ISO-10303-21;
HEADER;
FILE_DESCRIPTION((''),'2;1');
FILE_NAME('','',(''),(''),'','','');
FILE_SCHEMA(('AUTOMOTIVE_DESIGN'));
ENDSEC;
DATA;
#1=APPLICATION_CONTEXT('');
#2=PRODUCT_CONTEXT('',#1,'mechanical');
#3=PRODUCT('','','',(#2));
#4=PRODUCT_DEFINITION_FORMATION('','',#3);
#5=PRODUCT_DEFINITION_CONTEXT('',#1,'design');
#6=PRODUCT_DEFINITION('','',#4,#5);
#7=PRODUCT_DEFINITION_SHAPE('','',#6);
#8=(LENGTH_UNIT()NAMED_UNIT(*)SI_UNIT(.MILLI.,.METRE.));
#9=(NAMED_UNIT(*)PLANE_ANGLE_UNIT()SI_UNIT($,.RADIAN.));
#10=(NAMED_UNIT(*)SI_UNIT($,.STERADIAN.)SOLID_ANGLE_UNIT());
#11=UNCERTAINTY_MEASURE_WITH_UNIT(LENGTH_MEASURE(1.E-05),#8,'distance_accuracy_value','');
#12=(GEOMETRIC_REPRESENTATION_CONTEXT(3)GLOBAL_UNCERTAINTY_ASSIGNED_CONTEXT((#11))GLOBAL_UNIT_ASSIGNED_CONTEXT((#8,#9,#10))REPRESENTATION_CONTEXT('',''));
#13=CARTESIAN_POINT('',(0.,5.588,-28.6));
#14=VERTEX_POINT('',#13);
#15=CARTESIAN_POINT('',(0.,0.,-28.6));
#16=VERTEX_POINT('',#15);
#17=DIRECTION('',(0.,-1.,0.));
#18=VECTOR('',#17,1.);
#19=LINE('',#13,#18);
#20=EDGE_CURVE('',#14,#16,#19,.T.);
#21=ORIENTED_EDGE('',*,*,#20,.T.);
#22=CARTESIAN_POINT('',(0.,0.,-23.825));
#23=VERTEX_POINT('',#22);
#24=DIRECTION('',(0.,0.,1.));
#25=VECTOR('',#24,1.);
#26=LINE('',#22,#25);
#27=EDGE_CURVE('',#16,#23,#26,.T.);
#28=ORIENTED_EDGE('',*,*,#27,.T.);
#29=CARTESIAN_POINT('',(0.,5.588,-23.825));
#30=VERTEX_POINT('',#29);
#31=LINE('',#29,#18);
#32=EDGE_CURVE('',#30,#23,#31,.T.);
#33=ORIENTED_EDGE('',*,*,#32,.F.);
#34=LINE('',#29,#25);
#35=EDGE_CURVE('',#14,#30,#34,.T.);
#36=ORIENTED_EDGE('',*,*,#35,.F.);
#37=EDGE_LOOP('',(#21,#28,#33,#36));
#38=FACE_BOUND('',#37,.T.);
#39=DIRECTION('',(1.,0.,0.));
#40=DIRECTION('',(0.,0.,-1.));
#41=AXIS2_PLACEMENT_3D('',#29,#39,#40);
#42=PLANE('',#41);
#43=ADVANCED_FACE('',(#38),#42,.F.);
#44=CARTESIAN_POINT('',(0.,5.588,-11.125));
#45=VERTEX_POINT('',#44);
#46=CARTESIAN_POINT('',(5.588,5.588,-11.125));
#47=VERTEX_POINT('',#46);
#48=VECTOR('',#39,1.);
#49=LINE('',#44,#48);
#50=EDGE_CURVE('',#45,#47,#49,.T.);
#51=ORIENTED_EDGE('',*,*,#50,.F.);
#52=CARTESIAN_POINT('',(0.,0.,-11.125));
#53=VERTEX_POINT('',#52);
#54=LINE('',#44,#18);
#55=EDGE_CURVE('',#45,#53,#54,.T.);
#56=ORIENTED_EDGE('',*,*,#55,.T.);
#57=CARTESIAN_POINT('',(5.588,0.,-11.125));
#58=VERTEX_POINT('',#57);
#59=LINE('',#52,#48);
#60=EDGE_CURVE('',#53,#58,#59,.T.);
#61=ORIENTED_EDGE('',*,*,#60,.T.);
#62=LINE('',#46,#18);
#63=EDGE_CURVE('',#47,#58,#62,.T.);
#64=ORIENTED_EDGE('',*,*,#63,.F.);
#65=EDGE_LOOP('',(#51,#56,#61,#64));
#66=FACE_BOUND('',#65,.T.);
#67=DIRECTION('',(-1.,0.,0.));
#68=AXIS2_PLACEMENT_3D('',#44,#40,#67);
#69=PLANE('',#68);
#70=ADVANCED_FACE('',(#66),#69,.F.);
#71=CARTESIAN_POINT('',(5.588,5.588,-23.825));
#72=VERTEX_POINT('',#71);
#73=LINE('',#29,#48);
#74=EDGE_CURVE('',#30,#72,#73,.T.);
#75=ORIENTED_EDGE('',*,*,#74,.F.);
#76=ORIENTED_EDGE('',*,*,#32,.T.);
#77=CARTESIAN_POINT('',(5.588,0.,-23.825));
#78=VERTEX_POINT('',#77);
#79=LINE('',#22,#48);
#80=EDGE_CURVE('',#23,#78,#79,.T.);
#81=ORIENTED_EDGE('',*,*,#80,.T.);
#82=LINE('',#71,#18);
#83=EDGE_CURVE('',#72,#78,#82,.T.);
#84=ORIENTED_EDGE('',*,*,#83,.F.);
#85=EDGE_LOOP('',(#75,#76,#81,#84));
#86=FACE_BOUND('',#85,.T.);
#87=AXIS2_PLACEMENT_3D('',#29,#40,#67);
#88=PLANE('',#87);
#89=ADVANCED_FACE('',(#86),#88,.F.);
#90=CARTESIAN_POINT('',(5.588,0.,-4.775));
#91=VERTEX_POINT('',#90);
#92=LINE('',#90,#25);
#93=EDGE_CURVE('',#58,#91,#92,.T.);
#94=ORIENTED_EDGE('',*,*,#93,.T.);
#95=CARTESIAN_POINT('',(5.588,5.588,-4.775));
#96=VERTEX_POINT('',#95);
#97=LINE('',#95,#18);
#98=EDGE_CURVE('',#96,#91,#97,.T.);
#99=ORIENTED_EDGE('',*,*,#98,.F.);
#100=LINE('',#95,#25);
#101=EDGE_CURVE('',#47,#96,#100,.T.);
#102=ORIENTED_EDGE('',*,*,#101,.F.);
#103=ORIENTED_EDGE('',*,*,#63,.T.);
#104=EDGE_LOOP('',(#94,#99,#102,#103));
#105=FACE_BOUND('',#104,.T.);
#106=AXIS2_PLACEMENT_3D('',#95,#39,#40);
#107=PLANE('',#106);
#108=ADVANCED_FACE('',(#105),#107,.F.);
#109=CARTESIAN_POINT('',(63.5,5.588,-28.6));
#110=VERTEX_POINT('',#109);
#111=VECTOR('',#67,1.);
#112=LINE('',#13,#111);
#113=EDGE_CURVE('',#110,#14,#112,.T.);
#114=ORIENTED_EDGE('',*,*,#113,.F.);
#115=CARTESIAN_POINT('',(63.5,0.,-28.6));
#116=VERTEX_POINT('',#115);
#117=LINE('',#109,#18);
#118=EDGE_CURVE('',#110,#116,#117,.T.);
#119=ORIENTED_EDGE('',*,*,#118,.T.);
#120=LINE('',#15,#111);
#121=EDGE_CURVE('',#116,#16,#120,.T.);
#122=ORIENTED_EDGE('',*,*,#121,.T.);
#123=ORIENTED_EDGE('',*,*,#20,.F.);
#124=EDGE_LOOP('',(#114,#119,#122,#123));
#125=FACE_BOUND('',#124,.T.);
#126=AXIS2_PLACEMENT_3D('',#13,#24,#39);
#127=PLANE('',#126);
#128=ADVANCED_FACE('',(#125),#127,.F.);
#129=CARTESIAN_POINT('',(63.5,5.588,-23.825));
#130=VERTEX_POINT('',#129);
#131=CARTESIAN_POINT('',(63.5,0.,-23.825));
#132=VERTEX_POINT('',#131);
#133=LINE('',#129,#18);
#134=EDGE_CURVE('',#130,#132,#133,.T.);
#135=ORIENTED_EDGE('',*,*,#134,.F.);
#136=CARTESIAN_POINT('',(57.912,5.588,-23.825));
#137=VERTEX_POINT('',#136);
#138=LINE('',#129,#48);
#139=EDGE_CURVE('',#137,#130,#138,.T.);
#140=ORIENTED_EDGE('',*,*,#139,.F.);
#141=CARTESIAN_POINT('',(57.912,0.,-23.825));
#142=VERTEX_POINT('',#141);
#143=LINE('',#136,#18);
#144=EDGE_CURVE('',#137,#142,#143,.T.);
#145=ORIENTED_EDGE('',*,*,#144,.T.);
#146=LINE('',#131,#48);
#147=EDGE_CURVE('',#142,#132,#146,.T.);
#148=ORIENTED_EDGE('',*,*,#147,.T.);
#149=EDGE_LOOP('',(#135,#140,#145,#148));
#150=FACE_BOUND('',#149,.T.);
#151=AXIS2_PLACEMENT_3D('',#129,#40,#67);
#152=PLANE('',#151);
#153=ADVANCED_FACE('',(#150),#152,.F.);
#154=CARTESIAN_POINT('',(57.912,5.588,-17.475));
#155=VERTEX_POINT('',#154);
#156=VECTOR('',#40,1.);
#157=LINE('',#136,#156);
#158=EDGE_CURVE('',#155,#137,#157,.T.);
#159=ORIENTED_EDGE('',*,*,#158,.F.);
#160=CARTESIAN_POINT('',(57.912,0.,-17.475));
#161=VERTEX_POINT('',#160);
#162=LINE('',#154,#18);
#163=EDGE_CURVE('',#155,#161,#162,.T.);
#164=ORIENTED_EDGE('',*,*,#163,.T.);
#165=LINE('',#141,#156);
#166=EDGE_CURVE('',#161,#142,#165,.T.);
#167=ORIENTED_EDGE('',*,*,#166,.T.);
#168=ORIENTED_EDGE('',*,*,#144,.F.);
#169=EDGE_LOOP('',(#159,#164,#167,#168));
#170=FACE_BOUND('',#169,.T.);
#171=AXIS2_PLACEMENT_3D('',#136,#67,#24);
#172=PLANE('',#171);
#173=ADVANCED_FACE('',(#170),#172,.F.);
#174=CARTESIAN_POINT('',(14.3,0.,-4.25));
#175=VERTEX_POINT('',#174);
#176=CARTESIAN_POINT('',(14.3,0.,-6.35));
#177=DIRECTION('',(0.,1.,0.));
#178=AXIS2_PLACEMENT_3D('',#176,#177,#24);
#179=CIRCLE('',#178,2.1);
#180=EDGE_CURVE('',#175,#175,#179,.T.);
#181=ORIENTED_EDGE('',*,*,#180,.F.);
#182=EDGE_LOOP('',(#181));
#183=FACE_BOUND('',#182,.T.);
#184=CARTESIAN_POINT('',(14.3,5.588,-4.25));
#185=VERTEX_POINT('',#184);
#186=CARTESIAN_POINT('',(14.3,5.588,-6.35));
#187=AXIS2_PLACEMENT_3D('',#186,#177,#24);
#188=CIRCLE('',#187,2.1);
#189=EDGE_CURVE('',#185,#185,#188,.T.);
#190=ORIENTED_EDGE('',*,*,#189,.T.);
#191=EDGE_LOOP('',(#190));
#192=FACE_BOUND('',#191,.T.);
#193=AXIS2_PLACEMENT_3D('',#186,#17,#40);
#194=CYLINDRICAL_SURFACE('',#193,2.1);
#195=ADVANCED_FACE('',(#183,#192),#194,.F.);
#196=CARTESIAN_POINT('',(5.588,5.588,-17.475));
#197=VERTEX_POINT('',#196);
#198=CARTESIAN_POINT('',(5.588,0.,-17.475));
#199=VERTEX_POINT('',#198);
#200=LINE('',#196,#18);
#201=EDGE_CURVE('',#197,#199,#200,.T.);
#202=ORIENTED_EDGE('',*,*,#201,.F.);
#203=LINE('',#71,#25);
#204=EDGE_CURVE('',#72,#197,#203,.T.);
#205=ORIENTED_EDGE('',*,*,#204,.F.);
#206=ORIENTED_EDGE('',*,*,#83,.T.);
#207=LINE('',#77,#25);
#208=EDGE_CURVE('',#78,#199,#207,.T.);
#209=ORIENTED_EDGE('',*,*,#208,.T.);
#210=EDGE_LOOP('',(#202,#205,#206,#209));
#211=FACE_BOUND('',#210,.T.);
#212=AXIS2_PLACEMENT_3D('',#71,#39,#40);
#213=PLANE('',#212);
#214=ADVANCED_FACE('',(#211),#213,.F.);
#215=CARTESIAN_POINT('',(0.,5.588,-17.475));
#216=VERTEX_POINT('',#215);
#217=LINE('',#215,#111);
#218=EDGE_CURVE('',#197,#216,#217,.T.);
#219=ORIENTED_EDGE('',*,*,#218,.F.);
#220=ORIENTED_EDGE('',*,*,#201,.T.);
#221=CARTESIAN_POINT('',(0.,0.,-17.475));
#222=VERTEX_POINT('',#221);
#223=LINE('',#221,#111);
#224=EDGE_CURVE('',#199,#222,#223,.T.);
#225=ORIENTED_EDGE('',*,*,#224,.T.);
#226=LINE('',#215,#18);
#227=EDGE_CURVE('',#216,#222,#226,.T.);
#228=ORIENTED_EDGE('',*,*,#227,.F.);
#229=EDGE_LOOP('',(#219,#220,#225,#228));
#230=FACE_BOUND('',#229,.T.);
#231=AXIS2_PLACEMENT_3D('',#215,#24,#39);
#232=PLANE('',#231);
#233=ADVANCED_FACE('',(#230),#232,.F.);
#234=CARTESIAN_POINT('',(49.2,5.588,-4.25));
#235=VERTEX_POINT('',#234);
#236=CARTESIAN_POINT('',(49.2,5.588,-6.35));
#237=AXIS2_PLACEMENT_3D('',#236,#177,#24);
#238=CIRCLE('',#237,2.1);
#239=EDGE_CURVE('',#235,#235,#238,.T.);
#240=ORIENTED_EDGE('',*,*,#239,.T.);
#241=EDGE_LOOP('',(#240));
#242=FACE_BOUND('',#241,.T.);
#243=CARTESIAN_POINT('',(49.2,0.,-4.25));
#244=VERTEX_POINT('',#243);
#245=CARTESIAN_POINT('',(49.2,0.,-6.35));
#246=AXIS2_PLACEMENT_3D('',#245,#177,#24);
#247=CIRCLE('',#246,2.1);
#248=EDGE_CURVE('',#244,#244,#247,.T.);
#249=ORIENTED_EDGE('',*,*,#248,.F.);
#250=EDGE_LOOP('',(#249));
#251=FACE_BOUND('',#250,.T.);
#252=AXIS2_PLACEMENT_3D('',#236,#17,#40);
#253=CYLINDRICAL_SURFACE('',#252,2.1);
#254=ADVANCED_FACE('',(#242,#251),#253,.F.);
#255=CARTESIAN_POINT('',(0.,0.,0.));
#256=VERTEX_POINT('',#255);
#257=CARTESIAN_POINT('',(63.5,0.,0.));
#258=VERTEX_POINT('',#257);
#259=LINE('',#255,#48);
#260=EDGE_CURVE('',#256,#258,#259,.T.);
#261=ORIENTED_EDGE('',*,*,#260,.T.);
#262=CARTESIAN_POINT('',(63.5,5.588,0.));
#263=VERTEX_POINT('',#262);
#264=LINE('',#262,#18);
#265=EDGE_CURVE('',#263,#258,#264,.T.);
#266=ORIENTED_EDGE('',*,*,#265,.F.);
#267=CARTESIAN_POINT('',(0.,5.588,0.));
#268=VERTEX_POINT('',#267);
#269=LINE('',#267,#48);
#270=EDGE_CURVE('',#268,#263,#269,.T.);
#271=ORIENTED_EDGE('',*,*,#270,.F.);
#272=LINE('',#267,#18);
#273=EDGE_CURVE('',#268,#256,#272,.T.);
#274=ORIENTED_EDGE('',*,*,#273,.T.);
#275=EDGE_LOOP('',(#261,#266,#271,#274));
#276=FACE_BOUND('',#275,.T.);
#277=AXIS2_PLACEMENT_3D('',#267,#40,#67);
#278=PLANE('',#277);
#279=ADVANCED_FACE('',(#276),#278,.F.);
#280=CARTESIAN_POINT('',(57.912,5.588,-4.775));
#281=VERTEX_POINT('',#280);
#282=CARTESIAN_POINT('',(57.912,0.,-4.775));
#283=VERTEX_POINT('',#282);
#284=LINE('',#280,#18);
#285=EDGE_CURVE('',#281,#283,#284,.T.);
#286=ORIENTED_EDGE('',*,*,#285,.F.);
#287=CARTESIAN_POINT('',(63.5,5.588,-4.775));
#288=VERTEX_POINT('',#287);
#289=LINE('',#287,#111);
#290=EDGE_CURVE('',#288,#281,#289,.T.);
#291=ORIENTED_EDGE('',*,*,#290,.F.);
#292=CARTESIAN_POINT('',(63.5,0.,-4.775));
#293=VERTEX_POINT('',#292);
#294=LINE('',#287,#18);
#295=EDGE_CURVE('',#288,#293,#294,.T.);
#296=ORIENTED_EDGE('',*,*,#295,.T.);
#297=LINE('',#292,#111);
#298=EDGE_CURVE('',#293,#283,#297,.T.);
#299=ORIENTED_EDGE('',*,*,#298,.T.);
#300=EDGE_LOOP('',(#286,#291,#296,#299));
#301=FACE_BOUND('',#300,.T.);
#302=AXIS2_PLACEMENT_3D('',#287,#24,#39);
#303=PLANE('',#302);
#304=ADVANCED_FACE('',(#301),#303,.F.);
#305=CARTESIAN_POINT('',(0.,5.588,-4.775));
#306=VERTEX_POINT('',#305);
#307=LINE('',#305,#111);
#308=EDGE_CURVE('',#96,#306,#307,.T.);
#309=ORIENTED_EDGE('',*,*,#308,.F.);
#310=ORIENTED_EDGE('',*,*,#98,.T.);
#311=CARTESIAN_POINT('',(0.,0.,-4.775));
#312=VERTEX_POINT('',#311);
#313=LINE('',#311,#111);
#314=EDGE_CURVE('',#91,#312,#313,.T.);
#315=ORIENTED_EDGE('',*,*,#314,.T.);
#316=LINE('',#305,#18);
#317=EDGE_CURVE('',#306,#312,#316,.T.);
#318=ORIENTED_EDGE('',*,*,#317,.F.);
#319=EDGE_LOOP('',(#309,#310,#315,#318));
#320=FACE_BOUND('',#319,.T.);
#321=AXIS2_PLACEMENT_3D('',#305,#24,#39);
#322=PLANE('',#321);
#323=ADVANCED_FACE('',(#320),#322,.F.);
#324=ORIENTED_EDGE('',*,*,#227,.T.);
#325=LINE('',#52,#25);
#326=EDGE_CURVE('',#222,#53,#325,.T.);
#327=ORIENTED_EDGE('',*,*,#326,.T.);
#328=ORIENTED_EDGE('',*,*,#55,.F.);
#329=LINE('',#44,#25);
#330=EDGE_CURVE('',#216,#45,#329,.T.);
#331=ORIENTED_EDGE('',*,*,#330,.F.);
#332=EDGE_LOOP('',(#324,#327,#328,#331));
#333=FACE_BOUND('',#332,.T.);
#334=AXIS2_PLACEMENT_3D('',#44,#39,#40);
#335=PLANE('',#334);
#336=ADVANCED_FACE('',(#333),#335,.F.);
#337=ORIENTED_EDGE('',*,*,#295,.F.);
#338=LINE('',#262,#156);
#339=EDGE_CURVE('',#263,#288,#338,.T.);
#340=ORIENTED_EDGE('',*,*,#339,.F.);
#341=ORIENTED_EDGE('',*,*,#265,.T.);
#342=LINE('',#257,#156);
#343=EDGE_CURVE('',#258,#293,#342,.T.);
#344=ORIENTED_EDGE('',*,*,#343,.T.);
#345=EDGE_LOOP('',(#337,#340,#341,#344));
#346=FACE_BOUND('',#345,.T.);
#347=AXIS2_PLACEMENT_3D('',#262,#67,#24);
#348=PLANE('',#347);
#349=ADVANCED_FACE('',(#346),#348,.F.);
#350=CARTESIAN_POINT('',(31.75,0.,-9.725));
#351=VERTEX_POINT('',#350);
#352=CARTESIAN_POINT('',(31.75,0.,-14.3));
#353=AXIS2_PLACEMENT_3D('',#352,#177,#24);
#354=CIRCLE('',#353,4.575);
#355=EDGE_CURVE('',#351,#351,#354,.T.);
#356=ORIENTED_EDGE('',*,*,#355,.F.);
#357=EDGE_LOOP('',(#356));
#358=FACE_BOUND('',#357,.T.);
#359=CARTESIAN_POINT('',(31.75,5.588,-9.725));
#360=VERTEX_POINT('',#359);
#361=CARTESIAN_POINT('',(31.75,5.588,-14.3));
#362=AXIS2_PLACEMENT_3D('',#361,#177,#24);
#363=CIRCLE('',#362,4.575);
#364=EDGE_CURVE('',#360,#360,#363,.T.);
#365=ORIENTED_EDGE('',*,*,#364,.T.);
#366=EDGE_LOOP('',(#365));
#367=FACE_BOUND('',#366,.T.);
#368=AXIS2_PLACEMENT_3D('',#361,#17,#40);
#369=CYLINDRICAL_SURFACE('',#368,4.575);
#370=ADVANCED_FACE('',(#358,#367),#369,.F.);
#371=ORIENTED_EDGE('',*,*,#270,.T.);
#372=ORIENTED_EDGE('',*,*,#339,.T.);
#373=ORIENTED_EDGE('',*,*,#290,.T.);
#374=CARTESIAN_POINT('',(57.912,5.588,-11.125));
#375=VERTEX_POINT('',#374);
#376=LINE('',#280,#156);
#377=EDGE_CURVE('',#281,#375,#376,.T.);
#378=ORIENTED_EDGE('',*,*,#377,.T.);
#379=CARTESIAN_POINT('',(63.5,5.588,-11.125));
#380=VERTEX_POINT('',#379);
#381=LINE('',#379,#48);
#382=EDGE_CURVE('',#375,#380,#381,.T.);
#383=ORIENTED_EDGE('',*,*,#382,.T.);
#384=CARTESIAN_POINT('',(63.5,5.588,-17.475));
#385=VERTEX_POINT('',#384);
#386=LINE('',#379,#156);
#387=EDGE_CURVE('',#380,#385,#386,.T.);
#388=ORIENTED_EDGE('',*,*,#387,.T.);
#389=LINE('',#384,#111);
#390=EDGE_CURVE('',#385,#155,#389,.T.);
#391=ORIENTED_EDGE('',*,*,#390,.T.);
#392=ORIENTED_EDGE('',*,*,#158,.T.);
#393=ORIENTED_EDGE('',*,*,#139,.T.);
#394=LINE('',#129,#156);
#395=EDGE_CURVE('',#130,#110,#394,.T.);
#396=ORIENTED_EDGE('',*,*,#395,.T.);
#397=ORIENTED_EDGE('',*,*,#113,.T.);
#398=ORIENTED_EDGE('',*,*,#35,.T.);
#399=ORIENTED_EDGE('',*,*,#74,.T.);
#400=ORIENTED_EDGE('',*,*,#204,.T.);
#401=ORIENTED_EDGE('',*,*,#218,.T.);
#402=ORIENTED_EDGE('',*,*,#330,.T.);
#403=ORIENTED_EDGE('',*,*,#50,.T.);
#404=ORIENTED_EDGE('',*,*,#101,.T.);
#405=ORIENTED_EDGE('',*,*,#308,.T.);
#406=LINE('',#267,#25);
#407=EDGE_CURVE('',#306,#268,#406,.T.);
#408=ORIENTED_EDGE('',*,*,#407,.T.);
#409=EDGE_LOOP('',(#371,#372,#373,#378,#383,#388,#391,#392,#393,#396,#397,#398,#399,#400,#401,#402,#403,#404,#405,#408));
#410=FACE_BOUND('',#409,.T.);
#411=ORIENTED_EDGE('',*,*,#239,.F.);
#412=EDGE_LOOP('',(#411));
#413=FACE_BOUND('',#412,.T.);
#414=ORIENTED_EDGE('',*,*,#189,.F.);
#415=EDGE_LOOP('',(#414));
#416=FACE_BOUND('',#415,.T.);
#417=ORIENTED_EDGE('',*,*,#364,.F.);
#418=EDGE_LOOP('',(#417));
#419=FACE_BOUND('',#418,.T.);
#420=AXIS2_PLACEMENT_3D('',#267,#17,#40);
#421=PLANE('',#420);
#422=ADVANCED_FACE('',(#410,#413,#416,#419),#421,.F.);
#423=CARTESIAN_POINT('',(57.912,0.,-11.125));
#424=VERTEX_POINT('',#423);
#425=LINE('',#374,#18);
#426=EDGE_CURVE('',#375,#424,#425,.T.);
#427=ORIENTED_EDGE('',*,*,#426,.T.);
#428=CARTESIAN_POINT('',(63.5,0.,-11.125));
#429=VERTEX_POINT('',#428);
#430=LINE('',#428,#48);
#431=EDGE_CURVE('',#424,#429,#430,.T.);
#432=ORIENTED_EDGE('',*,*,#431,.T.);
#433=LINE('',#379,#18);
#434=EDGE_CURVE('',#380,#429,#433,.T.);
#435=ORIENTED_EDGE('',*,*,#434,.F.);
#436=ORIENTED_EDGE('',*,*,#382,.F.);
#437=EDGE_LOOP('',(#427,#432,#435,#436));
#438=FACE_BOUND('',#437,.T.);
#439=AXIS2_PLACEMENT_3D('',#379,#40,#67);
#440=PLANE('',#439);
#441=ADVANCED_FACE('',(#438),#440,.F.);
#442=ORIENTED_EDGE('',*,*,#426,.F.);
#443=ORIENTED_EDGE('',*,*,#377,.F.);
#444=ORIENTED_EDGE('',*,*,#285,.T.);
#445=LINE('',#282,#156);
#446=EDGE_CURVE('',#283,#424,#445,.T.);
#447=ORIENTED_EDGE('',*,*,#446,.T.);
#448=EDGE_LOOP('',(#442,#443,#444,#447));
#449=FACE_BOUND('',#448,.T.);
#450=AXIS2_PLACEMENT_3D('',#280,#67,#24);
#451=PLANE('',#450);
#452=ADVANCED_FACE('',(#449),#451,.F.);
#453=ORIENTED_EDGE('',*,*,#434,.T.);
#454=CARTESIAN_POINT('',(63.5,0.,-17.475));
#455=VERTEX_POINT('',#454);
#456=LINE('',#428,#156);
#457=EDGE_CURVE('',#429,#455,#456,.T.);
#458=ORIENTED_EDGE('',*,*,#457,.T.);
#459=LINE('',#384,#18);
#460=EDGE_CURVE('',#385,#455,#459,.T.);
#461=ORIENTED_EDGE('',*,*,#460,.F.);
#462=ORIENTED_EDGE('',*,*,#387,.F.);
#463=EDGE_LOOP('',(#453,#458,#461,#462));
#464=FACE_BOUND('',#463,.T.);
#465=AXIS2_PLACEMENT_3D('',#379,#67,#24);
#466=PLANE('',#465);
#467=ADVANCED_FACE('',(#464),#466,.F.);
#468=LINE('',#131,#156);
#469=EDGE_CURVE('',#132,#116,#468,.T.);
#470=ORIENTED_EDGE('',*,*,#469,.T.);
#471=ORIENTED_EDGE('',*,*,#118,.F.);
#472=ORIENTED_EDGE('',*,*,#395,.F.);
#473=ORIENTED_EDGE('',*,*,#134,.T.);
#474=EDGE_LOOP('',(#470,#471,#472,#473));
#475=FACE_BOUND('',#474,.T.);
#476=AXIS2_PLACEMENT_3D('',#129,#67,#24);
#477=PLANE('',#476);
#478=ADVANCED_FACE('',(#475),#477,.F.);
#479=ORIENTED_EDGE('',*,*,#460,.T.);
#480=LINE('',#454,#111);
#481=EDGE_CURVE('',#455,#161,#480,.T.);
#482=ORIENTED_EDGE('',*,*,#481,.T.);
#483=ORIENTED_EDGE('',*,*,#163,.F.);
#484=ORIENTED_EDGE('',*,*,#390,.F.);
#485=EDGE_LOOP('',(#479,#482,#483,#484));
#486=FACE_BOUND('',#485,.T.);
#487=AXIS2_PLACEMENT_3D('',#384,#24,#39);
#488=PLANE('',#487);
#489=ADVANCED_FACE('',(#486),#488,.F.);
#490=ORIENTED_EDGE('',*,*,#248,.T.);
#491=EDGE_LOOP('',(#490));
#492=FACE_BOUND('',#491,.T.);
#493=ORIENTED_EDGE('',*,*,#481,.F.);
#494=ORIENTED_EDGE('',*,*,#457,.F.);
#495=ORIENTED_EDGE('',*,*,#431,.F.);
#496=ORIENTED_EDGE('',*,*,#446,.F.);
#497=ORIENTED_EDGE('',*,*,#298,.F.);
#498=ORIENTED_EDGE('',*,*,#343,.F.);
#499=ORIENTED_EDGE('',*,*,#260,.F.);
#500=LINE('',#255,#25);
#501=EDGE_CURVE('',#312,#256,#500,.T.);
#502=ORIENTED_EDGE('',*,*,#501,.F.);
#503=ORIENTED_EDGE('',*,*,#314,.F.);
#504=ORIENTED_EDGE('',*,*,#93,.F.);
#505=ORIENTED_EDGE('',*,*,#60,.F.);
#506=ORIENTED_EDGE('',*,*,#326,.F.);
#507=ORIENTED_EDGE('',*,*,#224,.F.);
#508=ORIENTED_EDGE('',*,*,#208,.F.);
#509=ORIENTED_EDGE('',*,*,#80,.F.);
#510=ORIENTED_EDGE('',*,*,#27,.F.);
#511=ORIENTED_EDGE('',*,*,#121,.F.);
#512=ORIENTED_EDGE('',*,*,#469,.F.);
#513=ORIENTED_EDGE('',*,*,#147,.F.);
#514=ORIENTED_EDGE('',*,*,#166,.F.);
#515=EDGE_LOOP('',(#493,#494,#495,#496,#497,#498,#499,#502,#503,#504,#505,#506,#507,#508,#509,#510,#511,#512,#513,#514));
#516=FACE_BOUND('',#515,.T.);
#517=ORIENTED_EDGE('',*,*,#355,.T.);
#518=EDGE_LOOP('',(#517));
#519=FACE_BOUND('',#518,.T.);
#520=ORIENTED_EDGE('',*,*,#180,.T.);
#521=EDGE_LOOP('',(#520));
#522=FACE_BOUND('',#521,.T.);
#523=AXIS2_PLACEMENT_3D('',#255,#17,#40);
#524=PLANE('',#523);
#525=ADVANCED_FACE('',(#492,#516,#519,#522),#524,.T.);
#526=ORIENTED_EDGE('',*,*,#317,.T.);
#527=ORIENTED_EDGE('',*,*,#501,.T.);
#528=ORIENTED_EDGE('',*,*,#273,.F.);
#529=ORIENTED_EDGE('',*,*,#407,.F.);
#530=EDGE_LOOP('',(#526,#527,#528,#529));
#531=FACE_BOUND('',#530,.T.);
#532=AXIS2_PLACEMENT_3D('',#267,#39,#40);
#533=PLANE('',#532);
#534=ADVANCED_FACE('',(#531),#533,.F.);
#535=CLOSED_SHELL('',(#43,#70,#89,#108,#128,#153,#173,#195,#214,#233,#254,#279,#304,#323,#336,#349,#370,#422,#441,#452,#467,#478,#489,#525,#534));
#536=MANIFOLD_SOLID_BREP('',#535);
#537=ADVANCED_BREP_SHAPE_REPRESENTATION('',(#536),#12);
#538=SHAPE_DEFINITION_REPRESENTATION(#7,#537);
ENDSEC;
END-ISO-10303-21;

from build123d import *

# Parameters (mm, degrees)
SKETCH1_R           = 4.575
SKETCH1_R_2         = 2.1
BOSS_EXTRUDE1_DEPTH = 5.588


with BuildPart() as part:
    # Sketch1 → Boss-Extrude1 (new body)
    with BuildSketch(Plane(origin=(0, 0, 0), x_dir=(1, 0, 0), z_dir=(0, 1, 0))):
        Polygon((0, 0), (63.5, 0), (63.5, 4.775), (57.912, 4.775), (57.912, 11.125), (63.5, 11.125), (63.5, 17.475), (57.912, 17.475), (57.912, 23.825), (63.5, 23.825), (63.5, 28.6), (0, 28.6), (0, 23.825), (5.588, 23.825), (5.588, 17.475), (0, 17.475), (0, 11.125), (5.588, 11.125), (5.588, 4.775), (0, 4.775), align=None)
        with Locations((31.75, 14.3)):
            Circle(SKETCH1_R, mode=Mode.SUBTRACT)
        with Locations((14.3, 6.35)):
            Circle(SKETCH1_R_2, mode=Mode.SUBTRACT)
        with Locations((49.2, 6.35)):
            Circle(SKETCH1_R_2, mode=Mode.SUBTRACT)
    extrude(amount=BOSS_EXTRUDE1_DEPTH)


solid = part.part
